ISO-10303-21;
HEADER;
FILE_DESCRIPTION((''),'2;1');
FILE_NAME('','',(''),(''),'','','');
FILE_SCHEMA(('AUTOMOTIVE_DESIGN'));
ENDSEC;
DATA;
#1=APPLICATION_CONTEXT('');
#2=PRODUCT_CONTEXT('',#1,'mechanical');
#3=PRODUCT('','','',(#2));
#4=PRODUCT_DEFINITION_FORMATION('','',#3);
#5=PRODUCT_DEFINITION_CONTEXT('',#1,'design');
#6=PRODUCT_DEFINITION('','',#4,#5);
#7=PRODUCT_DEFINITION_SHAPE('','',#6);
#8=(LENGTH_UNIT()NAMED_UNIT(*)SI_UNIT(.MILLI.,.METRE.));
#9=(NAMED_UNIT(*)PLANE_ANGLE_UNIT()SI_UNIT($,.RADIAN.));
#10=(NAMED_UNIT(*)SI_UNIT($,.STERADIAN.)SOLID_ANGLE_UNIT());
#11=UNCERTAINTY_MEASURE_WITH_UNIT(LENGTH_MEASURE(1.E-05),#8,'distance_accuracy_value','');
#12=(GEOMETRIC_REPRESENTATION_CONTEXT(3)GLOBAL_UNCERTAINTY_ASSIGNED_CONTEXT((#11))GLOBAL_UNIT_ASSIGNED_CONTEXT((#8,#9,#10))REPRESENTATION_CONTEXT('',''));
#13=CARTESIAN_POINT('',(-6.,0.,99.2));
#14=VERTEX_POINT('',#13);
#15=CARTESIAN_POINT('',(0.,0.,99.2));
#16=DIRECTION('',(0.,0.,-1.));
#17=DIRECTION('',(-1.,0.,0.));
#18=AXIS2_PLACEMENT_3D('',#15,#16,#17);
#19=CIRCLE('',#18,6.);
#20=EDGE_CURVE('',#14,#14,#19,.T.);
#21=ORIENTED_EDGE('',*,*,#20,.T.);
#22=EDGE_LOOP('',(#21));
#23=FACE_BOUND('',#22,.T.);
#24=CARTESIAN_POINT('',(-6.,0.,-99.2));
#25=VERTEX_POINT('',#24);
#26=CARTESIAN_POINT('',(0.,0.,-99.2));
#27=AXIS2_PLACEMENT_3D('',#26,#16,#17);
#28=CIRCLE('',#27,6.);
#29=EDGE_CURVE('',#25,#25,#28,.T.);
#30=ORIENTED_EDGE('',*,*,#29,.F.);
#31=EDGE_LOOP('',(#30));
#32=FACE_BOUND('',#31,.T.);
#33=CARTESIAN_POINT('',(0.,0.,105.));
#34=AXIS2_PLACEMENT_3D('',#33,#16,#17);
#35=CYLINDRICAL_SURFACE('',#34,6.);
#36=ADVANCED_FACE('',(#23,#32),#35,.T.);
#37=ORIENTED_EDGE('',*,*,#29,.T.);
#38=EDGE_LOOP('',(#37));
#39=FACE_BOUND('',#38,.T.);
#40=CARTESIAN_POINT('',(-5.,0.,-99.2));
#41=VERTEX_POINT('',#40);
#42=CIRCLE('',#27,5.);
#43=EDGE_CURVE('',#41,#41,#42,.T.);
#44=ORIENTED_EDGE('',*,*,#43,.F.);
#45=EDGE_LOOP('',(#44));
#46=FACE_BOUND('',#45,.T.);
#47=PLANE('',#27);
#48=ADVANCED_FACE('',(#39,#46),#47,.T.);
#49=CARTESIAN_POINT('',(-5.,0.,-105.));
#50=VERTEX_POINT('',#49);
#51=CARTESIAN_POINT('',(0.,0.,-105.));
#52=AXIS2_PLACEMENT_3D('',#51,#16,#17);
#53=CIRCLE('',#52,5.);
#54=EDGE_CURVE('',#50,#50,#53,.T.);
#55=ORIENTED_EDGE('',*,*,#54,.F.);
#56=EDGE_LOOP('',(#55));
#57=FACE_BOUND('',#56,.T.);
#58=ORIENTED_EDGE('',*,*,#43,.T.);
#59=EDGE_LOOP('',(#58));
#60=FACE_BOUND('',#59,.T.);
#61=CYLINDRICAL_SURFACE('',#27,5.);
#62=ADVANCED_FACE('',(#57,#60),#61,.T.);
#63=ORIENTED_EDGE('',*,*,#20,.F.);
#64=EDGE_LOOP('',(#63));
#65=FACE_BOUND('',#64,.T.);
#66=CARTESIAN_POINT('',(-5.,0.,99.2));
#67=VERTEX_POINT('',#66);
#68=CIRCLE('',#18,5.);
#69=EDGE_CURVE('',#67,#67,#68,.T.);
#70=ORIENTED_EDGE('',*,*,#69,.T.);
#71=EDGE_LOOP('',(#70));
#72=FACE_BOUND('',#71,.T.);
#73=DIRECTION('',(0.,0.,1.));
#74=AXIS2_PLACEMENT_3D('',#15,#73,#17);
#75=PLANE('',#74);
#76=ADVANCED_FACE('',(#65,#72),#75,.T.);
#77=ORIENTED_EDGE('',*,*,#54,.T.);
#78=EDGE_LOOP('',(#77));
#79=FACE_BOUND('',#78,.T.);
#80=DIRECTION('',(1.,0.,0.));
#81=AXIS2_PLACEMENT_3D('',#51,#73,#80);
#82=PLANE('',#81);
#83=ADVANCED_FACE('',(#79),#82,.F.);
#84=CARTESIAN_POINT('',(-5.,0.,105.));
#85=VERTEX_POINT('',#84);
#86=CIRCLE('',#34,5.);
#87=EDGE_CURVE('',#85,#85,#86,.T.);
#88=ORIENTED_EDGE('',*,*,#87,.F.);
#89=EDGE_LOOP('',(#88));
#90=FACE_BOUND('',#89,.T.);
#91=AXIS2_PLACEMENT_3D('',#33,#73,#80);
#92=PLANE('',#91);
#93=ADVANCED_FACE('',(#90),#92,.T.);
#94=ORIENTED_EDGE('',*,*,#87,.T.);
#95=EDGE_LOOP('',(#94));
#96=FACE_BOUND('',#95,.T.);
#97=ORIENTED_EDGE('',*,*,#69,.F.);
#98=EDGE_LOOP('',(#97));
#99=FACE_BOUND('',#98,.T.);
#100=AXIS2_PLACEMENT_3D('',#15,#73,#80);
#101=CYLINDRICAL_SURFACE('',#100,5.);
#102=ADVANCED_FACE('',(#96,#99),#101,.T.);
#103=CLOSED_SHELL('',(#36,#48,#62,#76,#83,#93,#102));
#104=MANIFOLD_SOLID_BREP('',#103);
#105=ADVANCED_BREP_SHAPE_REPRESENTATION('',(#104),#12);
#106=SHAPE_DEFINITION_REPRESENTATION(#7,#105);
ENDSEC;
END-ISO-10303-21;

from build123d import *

# Parameters (mm, degrees)
SKETCH_1_R          = 6
EXTRUDE_1_DEPTH     = 105
CUT_EXTRUDE_START   = -5.8
SKETCH_2_R          = 6
SKETCH_2_R_2        = 5
CUT_EXTRUDE_1_DEPTH = 5.8


with BuildPart() as part:
    # ｽｹｯﾁ1 → ﾎﾞｽ - 押し出し1 (new, symmetric)
    with BuildSketch(Plane.XY):
        Circle(SKETCH_1_R)
    extrude(amount=EXTRUDE_1_DEPTH, both=True)

    # ｽｹｯﾁ2 → ｶｯﾄ - 押し出し1 (cut)
    with BuildSketch(Plane(origin=(0, 0, -105), x_dir=(-1, 0, 0), z_dir=(0, 0, -1)).offset(CUT_EXTRUDE_START)):
        Circle(SKETCH_2_R)
        Circle(SKETCH_2_R_2, mode=Mode.SUBTRACT)
    cut_extrude_1 = extrude(amount=CUT_EXTRUDE_1_DEPTH, mode=Mode.SUBTRACT)

    # ﾐﾗｰ1: ｶｯﾄ - 押し出し1 across plane
    add(cut_extrude_1.mirror(Plane.XY), mode=Mode.SUBTRACT)


solid = part.part
